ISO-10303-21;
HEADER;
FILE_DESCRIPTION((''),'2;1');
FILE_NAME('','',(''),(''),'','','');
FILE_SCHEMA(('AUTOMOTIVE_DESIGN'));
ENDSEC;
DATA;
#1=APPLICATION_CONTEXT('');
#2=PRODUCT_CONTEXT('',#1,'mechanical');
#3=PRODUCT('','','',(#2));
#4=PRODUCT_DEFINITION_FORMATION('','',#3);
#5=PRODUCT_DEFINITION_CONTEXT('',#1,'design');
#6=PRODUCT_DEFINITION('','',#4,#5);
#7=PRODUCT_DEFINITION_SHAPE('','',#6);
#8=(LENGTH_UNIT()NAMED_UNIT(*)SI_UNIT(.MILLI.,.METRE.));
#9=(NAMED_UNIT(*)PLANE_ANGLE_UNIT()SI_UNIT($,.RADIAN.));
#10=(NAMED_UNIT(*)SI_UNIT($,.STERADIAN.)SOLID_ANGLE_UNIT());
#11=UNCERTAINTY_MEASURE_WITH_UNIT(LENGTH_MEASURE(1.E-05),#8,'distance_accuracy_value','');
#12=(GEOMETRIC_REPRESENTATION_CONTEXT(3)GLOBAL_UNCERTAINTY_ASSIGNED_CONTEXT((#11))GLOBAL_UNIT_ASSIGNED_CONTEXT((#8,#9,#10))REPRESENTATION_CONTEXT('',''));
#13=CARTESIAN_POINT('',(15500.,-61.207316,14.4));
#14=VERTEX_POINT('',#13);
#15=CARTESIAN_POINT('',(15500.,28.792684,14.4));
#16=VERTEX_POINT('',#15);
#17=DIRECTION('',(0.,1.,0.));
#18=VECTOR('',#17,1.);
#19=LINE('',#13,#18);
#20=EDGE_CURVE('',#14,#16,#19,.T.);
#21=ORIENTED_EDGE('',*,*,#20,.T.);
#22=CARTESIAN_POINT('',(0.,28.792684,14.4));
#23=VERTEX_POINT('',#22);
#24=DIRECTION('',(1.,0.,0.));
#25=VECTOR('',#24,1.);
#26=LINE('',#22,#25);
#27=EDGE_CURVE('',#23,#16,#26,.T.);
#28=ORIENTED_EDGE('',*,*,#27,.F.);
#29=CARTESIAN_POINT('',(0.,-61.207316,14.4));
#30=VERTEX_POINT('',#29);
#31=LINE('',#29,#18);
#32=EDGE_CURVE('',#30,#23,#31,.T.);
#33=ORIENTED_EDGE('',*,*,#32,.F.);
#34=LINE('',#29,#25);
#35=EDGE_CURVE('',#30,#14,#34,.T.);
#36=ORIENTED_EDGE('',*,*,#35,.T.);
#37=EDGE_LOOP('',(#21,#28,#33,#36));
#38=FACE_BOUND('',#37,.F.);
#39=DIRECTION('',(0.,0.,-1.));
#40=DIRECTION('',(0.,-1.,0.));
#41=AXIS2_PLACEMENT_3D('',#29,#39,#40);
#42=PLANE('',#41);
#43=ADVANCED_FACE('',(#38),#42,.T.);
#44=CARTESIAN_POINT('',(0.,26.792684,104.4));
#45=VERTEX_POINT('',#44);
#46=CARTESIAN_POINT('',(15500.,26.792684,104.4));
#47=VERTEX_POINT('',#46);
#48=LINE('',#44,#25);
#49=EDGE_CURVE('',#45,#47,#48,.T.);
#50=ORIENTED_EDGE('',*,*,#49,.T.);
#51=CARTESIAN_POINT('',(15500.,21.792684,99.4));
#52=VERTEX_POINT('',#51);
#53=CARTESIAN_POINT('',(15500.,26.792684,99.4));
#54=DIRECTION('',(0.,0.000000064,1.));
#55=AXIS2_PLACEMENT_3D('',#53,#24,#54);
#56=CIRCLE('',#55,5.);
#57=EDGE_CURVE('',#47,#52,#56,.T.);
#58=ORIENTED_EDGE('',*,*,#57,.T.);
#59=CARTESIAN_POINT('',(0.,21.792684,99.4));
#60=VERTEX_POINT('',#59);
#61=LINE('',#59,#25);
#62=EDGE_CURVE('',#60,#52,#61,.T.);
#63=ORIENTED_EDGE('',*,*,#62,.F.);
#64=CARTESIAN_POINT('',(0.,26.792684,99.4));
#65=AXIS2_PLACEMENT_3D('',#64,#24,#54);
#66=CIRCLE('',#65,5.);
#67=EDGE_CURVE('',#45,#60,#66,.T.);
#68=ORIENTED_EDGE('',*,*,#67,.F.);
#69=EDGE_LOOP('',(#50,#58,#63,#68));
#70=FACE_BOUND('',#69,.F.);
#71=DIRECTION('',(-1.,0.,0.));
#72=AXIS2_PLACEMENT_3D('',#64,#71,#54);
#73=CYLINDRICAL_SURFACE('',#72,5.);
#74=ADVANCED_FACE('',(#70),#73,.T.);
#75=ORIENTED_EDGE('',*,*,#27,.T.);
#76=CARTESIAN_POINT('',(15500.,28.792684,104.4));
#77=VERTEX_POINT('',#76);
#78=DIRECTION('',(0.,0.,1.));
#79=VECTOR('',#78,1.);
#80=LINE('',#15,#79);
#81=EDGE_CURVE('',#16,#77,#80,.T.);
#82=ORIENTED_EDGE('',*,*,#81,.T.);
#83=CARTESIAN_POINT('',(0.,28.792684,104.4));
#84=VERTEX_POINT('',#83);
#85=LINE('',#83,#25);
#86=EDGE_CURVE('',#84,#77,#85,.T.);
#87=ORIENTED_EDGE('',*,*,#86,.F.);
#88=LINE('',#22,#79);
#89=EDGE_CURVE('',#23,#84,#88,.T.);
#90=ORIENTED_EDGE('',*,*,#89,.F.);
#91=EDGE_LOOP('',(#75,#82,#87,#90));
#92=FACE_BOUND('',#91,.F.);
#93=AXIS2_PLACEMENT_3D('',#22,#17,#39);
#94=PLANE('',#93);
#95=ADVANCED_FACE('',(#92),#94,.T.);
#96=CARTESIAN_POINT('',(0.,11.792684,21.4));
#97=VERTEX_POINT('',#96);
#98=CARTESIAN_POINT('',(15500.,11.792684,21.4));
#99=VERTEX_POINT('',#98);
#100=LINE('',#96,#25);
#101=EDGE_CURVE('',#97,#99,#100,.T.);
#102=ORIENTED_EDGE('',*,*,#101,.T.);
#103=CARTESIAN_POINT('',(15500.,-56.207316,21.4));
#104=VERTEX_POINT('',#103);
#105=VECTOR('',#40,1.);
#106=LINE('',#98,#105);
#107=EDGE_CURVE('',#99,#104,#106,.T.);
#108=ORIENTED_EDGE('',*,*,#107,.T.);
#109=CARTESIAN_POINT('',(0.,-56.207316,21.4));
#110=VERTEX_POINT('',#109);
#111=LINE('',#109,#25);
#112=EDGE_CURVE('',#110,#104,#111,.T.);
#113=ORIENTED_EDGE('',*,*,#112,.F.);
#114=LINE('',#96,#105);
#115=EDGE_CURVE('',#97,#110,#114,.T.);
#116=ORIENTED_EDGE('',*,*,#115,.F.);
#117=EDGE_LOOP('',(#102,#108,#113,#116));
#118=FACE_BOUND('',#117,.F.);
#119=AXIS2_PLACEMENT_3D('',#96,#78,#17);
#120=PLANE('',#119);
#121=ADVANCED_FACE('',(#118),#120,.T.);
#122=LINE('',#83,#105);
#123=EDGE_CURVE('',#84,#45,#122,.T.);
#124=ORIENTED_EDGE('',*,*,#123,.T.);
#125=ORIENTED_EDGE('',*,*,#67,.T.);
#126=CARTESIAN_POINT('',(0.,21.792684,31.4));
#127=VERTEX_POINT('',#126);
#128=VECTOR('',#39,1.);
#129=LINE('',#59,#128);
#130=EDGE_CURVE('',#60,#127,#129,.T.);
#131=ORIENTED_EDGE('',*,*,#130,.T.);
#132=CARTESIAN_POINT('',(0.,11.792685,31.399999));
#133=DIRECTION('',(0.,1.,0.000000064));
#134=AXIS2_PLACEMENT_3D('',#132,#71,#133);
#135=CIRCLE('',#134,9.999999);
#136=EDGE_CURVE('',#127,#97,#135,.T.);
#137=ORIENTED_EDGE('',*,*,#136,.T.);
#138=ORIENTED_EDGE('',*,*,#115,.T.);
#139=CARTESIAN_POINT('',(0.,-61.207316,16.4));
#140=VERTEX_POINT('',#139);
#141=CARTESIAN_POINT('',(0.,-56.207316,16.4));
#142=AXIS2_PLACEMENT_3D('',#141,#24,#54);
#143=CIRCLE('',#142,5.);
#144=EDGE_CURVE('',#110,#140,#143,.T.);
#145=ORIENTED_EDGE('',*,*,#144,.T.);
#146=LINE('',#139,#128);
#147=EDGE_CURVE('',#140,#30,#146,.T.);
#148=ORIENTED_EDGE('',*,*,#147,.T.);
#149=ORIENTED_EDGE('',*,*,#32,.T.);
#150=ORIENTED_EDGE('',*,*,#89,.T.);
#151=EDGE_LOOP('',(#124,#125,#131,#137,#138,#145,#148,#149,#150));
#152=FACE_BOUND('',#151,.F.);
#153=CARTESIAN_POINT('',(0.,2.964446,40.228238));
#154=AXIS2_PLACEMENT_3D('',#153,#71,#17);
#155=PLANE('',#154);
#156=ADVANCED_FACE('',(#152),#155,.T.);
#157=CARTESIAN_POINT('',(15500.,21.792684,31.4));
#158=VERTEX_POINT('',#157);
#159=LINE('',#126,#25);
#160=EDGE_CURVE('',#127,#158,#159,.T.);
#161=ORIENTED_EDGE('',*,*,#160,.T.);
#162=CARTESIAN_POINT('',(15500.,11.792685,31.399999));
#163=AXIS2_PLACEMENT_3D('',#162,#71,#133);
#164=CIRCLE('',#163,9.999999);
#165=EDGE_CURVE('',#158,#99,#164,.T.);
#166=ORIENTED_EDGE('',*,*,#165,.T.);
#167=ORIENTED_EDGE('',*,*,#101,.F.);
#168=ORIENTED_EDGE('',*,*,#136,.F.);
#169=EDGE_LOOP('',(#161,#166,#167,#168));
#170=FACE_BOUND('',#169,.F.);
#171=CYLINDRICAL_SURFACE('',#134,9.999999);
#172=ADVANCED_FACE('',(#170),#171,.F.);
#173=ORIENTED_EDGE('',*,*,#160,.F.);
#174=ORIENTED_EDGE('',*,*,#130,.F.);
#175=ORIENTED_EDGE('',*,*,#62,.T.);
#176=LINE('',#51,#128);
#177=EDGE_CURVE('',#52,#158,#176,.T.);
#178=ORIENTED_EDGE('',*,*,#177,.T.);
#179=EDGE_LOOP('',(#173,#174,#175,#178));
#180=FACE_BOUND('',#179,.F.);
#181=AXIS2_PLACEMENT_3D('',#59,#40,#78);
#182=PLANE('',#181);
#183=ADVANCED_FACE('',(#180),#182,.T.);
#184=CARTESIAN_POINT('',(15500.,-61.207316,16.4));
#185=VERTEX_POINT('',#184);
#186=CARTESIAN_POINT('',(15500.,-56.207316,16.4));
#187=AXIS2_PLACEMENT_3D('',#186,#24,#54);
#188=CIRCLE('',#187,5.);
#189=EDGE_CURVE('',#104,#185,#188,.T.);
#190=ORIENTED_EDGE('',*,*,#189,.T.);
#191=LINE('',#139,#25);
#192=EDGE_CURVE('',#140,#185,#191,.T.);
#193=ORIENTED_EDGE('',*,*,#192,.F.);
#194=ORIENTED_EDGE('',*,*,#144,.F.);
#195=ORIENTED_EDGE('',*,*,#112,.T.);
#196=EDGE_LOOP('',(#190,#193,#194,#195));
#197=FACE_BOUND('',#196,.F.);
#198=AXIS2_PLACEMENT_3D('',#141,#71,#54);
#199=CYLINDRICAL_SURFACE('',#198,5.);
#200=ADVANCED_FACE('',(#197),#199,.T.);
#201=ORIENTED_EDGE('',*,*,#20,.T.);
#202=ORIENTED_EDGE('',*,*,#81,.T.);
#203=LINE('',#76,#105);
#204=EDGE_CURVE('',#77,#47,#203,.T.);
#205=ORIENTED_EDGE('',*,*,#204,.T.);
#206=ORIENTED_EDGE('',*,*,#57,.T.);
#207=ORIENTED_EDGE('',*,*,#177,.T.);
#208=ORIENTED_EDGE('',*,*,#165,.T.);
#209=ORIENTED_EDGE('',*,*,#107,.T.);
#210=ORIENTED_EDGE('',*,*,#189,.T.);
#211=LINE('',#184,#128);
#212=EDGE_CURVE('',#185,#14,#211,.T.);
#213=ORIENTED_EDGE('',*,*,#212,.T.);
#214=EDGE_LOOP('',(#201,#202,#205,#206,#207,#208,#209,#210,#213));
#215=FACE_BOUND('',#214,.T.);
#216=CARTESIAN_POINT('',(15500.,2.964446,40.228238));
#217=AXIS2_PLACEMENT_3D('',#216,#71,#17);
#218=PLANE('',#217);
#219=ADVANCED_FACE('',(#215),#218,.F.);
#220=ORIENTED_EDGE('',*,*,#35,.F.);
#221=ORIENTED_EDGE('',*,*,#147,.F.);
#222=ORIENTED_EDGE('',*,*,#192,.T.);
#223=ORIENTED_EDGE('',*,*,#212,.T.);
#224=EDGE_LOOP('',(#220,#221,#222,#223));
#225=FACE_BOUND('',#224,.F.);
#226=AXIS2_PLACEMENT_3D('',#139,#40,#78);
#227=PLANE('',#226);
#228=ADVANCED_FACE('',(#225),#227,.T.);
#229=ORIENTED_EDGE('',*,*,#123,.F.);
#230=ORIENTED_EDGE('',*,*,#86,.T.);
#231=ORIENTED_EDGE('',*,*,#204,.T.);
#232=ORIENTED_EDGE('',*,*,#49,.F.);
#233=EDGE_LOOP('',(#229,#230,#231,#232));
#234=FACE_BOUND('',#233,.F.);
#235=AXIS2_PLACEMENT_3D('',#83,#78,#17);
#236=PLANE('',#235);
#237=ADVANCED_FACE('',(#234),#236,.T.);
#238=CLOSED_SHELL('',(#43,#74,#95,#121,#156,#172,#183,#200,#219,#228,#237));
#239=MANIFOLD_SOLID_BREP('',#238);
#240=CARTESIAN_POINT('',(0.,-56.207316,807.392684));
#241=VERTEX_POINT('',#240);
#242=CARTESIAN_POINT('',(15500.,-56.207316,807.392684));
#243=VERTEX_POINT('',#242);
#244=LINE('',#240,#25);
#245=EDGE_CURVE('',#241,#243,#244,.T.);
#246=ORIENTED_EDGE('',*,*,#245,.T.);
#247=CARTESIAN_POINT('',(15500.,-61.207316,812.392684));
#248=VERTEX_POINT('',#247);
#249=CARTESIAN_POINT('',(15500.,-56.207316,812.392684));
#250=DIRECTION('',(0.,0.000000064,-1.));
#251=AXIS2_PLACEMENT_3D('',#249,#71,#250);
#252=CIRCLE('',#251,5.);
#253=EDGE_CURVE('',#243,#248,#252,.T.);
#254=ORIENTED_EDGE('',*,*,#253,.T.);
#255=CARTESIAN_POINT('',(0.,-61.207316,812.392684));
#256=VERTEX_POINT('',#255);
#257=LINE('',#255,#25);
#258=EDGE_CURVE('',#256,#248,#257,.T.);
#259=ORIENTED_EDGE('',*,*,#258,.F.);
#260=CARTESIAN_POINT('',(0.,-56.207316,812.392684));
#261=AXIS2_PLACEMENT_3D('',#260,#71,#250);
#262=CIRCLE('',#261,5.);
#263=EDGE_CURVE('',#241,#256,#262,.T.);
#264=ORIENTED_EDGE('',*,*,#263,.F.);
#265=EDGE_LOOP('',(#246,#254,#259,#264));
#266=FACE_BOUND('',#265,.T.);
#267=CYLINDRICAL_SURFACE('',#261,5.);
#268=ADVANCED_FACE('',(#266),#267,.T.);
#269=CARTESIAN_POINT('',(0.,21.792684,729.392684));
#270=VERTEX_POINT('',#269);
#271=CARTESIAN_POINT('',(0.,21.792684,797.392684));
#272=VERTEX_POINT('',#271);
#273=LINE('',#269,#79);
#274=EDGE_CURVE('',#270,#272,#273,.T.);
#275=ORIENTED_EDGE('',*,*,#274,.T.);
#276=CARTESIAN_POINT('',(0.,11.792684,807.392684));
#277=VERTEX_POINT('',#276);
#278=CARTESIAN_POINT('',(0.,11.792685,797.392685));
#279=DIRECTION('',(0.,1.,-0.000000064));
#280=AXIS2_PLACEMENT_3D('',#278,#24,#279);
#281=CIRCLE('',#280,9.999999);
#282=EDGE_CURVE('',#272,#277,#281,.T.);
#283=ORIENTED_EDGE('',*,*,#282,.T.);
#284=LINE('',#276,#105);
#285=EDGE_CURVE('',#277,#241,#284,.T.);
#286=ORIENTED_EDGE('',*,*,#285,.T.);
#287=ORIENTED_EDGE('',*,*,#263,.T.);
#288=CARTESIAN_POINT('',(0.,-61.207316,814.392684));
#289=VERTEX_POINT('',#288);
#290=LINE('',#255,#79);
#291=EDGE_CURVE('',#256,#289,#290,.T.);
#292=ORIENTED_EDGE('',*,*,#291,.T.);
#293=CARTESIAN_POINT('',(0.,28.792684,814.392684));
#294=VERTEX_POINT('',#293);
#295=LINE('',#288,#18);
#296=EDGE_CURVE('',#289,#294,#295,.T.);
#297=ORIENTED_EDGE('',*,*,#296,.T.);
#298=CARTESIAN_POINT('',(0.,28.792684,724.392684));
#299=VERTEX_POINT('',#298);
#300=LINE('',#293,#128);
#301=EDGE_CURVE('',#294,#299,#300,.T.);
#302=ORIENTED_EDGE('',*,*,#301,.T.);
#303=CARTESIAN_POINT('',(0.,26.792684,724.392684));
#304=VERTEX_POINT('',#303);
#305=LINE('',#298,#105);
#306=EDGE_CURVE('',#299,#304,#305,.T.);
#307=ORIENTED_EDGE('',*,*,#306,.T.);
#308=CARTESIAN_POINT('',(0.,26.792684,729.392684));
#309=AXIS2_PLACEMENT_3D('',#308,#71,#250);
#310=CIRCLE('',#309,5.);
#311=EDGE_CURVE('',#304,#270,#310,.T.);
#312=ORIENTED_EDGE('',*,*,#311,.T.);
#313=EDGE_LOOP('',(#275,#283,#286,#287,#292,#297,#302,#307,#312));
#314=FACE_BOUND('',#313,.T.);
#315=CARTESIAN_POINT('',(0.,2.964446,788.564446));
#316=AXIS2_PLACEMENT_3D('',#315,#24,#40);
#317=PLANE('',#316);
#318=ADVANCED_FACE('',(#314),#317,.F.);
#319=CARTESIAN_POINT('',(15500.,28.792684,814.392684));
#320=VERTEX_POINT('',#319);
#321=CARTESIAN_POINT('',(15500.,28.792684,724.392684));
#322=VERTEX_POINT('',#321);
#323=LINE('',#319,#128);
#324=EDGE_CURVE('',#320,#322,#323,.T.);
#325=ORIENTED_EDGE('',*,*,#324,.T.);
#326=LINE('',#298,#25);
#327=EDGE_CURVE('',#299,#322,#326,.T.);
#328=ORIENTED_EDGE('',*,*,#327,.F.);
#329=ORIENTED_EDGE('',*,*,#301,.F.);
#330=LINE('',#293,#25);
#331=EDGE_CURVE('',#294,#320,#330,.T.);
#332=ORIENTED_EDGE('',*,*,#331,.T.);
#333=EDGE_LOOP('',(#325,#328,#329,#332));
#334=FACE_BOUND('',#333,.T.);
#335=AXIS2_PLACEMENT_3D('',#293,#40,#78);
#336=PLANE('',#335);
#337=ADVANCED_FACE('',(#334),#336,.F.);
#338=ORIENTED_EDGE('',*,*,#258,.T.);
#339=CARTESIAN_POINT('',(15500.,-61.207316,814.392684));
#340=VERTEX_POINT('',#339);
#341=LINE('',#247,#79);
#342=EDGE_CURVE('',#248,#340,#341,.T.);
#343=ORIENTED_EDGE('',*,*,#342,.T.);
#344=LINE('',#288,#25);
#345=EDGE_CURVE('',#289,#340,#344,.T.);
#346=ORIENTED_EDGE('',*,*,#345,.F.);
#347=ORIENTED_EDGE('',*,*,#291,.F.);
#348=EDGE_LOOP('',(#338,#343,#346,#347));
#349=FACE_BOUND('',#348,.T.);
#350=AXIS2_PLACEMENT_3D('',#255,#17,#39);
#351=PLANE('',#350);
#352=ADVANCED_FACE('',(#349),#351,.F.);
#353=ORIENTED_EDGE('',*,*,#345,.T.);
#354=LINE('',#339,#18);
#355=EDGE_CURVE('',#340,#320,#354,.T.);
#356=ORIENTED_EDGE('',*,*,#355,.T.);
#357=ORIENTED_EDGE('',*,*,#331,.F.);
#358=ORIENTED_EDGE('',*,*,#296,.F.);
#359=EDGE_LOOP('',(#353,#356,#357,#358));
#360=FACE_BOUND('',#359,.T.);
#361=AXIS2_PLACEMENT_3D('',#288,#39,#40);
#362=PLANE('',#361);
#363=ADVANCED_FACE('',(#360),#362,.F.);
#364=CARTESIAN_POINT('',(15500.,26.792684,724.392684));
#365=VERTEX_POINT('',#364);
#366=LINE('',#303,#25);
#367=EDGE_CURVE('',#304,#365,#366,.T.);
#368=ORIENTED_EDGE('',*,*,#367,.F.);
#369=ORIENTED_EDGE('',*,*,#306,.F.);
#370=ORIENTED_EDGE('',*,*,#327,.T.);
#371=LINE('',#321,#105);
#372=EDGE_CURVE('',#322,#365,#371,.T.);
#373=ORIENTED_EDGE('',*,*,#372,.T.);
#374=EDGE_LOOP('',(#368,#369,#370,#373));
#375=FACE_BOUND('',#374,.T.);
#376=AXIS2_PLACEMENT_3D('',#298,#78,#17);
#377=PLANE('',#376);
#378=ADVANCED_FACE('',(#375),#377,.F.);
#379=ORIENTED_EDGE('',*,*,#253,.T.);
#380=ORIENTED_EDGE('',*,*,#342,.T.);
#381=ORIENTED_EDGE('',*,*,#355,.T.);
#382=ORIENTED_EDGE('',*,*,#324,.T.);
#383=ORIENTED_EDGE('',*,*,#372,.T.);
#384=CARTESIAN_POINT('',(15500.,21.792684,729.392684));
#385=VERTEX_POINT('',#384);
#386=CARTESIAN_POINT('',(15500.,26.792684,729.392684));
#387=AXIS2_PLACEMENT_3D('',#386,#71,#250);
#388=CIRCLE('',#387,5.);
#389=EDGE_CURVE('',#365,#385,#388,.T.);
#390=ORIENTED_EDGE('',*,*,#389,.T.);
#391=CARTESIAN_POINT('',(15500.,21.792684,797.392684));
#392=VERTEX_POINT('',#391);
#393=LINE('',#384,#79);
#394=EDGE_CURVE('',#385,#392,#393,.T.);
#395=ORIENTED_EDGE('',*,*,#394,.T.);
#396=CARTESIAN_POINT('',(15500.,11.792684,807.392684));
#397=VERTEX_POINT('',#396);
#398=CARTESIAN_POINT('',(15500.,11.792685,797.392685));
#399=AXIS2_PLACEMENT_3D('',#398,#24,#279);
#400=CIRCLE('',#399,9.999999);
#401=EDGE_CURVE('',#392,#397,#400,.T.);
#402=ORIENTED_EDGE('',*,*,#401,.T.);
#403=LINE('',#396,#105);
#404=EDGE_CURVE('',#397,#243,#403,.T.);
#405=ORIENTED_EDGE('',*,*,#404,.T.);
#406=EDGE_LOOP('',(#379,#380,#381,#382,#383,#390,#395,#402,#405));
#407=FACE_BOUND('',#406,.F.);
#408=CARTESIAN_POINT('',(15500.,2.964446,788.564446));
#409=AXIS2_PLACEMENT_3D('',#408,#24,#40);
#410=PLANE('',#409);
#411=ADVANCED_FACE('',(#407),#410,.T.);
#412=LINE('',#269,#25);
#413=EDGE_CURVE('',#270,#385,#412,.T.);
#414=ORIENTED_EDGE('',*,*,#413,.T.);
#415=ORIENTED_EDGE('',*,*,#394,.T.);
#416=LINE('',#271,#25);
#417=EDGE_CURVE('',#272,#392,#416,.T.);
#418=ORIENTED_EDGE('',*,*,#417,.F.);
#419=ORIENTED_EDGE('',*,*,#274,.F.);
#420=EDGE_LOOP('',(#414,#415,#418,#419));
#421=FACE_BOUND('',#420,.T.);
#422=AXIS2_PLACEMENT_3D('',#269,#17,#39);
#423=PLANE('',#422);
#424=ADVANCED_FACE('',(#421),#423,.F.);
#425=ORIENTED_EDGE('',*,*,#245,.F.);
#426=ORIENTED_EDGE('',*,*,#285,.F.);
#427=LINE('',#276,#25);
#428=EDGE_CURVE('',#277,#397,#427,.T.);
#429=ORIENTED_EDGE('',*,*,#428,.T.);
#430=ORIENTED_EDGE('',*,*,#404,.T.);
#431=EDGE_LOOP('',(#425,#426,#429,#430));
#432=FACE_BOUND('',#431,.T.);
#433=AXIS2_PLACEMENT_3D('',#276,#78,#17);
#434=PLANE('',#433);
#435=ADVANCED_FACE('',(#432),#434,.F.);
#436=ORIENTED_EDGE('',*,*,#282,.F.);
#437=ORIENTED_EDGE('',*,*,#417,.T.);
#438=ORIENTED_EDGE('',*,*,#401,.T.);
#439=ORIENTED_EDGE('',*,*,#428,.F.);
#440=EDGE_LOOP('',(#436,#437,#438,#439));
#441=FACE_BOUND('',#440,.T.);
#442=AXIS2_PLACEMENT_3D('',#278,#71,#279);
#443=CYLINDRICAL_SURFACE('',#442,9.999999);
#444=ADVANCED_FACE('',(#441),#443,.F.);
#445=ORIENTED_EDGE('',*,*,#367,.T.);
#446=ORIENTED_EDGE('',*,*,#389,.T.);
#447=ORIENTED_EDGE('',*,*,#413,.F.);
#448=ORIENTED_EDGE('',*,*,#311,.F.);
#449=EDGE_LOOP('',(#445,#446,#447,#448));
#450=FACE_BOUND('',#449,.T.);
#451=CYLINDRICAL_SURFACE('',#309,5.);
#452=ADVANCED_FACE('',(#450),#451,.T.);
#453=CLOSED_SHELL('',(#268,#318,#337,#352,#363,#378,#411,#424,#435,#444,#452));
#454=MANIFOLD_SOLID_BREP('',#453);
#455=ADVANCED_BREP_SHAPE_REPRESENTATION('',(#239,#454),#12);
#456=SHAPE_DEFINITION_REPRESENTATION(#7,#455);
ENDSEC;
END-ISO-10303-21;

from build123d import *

# Parameters (mm, degrees)
EXTRUDE017_DEPTH = 15500
EXTRUDE018_DEPTH = 15500


with BuildPart() as extrude017:
    # AngleSteel004 → Extrude017 (new body)
    with BuildSketch(Plane(origin=(0, 53.415282, 39.015282), x_dir=(0, 1, 0), z_dir=(-1, 0, 0))):
        with BuildLine():
            Line((-24.615282, 24.615282), (-24.615282, -65.384718))
            Line((-24.615282, -65.384718), (-22.615282, -65.384718))
            ThreePointArc((-22.615282, -65.384718), (-19.079748, -63.920252), (-17.615282, -60.384718))
            Line((-17.615282, -60.384718), (-17.615282, 7.615282))
            ThreePointArc((-17.615282, 7.615282), (-14.68635, 14.68635), (-7.615282, 17.615282))
            Line((-7.615282, 17.615282), (60.384718, 17.615282))
            ThreePointArc((60.384718, 17.615282), (63.920252, 19.079748), (65.384718, 22.615282))
            Line((65.384718, 22.615282), (65.384718, 24.615282))
            Line((65.384718, 24.615282), (-24.615282, 24.615282))
        make_face()
    extrude(amount=-EXTRUDE017_DEPTH)


with BuildPart() as fusion001:
    # Mirror → Extrude018 (new body)
    with BuildSketch(Plane(origin=(0, 53.415282, 789.777402), x_dir=(0, -1, 0), z_dir=(1, 0, 0))):
        with BuildLine():
            Line((24.615282, -24.615282), (24.615282, 65.384718))
            Line((24.615282, 65.384718), (22.615282, 65.384718))
            ThreePointArc((22.615282, 65.384718), (19.079748, 63.920252), (17.615282, 60.384718))
            Line((17.615282, 60.384718), (17.615282, -7.615282))
            ThreePointArc((17.615282, -7.615282), (14.68635, -14.68635), (7.615282, -17.615282))
            Line((7.615282, -17.615282), (-60.384718, -17.615282))
            ThreePointArc((-60.384718, -17.615282), (-63.920252, -19.079748), (-65.384718, -22.615282))
            Line((-65.384718, -22.615282), (-65.384718, -24.615282))
            Line((-65.384718, -24.615282), (24.615282, -24.615282))
        make_face()
    extrude(amount=EXTRUDE018_DEPTH)

    # Fusion001: union Extrude017
    add(extrude017.part)


with BuildPart() as fusion_mirrored:
    # Mirror001: instance of Fusion001
    add(fusion001.part.mirror(Plane(origin=(0, 28.796342, 514.396342), x_dir=(-1, 0, 0), z_dir=(0, -1, 0))))


with BuildPart() as fusion_mirrored_1:
    # Mirror001 placement: moved
    add(fusion_mirrored.part.moved(Location((0, -6, 0))))


solid = fusion_mirrored_1.part
